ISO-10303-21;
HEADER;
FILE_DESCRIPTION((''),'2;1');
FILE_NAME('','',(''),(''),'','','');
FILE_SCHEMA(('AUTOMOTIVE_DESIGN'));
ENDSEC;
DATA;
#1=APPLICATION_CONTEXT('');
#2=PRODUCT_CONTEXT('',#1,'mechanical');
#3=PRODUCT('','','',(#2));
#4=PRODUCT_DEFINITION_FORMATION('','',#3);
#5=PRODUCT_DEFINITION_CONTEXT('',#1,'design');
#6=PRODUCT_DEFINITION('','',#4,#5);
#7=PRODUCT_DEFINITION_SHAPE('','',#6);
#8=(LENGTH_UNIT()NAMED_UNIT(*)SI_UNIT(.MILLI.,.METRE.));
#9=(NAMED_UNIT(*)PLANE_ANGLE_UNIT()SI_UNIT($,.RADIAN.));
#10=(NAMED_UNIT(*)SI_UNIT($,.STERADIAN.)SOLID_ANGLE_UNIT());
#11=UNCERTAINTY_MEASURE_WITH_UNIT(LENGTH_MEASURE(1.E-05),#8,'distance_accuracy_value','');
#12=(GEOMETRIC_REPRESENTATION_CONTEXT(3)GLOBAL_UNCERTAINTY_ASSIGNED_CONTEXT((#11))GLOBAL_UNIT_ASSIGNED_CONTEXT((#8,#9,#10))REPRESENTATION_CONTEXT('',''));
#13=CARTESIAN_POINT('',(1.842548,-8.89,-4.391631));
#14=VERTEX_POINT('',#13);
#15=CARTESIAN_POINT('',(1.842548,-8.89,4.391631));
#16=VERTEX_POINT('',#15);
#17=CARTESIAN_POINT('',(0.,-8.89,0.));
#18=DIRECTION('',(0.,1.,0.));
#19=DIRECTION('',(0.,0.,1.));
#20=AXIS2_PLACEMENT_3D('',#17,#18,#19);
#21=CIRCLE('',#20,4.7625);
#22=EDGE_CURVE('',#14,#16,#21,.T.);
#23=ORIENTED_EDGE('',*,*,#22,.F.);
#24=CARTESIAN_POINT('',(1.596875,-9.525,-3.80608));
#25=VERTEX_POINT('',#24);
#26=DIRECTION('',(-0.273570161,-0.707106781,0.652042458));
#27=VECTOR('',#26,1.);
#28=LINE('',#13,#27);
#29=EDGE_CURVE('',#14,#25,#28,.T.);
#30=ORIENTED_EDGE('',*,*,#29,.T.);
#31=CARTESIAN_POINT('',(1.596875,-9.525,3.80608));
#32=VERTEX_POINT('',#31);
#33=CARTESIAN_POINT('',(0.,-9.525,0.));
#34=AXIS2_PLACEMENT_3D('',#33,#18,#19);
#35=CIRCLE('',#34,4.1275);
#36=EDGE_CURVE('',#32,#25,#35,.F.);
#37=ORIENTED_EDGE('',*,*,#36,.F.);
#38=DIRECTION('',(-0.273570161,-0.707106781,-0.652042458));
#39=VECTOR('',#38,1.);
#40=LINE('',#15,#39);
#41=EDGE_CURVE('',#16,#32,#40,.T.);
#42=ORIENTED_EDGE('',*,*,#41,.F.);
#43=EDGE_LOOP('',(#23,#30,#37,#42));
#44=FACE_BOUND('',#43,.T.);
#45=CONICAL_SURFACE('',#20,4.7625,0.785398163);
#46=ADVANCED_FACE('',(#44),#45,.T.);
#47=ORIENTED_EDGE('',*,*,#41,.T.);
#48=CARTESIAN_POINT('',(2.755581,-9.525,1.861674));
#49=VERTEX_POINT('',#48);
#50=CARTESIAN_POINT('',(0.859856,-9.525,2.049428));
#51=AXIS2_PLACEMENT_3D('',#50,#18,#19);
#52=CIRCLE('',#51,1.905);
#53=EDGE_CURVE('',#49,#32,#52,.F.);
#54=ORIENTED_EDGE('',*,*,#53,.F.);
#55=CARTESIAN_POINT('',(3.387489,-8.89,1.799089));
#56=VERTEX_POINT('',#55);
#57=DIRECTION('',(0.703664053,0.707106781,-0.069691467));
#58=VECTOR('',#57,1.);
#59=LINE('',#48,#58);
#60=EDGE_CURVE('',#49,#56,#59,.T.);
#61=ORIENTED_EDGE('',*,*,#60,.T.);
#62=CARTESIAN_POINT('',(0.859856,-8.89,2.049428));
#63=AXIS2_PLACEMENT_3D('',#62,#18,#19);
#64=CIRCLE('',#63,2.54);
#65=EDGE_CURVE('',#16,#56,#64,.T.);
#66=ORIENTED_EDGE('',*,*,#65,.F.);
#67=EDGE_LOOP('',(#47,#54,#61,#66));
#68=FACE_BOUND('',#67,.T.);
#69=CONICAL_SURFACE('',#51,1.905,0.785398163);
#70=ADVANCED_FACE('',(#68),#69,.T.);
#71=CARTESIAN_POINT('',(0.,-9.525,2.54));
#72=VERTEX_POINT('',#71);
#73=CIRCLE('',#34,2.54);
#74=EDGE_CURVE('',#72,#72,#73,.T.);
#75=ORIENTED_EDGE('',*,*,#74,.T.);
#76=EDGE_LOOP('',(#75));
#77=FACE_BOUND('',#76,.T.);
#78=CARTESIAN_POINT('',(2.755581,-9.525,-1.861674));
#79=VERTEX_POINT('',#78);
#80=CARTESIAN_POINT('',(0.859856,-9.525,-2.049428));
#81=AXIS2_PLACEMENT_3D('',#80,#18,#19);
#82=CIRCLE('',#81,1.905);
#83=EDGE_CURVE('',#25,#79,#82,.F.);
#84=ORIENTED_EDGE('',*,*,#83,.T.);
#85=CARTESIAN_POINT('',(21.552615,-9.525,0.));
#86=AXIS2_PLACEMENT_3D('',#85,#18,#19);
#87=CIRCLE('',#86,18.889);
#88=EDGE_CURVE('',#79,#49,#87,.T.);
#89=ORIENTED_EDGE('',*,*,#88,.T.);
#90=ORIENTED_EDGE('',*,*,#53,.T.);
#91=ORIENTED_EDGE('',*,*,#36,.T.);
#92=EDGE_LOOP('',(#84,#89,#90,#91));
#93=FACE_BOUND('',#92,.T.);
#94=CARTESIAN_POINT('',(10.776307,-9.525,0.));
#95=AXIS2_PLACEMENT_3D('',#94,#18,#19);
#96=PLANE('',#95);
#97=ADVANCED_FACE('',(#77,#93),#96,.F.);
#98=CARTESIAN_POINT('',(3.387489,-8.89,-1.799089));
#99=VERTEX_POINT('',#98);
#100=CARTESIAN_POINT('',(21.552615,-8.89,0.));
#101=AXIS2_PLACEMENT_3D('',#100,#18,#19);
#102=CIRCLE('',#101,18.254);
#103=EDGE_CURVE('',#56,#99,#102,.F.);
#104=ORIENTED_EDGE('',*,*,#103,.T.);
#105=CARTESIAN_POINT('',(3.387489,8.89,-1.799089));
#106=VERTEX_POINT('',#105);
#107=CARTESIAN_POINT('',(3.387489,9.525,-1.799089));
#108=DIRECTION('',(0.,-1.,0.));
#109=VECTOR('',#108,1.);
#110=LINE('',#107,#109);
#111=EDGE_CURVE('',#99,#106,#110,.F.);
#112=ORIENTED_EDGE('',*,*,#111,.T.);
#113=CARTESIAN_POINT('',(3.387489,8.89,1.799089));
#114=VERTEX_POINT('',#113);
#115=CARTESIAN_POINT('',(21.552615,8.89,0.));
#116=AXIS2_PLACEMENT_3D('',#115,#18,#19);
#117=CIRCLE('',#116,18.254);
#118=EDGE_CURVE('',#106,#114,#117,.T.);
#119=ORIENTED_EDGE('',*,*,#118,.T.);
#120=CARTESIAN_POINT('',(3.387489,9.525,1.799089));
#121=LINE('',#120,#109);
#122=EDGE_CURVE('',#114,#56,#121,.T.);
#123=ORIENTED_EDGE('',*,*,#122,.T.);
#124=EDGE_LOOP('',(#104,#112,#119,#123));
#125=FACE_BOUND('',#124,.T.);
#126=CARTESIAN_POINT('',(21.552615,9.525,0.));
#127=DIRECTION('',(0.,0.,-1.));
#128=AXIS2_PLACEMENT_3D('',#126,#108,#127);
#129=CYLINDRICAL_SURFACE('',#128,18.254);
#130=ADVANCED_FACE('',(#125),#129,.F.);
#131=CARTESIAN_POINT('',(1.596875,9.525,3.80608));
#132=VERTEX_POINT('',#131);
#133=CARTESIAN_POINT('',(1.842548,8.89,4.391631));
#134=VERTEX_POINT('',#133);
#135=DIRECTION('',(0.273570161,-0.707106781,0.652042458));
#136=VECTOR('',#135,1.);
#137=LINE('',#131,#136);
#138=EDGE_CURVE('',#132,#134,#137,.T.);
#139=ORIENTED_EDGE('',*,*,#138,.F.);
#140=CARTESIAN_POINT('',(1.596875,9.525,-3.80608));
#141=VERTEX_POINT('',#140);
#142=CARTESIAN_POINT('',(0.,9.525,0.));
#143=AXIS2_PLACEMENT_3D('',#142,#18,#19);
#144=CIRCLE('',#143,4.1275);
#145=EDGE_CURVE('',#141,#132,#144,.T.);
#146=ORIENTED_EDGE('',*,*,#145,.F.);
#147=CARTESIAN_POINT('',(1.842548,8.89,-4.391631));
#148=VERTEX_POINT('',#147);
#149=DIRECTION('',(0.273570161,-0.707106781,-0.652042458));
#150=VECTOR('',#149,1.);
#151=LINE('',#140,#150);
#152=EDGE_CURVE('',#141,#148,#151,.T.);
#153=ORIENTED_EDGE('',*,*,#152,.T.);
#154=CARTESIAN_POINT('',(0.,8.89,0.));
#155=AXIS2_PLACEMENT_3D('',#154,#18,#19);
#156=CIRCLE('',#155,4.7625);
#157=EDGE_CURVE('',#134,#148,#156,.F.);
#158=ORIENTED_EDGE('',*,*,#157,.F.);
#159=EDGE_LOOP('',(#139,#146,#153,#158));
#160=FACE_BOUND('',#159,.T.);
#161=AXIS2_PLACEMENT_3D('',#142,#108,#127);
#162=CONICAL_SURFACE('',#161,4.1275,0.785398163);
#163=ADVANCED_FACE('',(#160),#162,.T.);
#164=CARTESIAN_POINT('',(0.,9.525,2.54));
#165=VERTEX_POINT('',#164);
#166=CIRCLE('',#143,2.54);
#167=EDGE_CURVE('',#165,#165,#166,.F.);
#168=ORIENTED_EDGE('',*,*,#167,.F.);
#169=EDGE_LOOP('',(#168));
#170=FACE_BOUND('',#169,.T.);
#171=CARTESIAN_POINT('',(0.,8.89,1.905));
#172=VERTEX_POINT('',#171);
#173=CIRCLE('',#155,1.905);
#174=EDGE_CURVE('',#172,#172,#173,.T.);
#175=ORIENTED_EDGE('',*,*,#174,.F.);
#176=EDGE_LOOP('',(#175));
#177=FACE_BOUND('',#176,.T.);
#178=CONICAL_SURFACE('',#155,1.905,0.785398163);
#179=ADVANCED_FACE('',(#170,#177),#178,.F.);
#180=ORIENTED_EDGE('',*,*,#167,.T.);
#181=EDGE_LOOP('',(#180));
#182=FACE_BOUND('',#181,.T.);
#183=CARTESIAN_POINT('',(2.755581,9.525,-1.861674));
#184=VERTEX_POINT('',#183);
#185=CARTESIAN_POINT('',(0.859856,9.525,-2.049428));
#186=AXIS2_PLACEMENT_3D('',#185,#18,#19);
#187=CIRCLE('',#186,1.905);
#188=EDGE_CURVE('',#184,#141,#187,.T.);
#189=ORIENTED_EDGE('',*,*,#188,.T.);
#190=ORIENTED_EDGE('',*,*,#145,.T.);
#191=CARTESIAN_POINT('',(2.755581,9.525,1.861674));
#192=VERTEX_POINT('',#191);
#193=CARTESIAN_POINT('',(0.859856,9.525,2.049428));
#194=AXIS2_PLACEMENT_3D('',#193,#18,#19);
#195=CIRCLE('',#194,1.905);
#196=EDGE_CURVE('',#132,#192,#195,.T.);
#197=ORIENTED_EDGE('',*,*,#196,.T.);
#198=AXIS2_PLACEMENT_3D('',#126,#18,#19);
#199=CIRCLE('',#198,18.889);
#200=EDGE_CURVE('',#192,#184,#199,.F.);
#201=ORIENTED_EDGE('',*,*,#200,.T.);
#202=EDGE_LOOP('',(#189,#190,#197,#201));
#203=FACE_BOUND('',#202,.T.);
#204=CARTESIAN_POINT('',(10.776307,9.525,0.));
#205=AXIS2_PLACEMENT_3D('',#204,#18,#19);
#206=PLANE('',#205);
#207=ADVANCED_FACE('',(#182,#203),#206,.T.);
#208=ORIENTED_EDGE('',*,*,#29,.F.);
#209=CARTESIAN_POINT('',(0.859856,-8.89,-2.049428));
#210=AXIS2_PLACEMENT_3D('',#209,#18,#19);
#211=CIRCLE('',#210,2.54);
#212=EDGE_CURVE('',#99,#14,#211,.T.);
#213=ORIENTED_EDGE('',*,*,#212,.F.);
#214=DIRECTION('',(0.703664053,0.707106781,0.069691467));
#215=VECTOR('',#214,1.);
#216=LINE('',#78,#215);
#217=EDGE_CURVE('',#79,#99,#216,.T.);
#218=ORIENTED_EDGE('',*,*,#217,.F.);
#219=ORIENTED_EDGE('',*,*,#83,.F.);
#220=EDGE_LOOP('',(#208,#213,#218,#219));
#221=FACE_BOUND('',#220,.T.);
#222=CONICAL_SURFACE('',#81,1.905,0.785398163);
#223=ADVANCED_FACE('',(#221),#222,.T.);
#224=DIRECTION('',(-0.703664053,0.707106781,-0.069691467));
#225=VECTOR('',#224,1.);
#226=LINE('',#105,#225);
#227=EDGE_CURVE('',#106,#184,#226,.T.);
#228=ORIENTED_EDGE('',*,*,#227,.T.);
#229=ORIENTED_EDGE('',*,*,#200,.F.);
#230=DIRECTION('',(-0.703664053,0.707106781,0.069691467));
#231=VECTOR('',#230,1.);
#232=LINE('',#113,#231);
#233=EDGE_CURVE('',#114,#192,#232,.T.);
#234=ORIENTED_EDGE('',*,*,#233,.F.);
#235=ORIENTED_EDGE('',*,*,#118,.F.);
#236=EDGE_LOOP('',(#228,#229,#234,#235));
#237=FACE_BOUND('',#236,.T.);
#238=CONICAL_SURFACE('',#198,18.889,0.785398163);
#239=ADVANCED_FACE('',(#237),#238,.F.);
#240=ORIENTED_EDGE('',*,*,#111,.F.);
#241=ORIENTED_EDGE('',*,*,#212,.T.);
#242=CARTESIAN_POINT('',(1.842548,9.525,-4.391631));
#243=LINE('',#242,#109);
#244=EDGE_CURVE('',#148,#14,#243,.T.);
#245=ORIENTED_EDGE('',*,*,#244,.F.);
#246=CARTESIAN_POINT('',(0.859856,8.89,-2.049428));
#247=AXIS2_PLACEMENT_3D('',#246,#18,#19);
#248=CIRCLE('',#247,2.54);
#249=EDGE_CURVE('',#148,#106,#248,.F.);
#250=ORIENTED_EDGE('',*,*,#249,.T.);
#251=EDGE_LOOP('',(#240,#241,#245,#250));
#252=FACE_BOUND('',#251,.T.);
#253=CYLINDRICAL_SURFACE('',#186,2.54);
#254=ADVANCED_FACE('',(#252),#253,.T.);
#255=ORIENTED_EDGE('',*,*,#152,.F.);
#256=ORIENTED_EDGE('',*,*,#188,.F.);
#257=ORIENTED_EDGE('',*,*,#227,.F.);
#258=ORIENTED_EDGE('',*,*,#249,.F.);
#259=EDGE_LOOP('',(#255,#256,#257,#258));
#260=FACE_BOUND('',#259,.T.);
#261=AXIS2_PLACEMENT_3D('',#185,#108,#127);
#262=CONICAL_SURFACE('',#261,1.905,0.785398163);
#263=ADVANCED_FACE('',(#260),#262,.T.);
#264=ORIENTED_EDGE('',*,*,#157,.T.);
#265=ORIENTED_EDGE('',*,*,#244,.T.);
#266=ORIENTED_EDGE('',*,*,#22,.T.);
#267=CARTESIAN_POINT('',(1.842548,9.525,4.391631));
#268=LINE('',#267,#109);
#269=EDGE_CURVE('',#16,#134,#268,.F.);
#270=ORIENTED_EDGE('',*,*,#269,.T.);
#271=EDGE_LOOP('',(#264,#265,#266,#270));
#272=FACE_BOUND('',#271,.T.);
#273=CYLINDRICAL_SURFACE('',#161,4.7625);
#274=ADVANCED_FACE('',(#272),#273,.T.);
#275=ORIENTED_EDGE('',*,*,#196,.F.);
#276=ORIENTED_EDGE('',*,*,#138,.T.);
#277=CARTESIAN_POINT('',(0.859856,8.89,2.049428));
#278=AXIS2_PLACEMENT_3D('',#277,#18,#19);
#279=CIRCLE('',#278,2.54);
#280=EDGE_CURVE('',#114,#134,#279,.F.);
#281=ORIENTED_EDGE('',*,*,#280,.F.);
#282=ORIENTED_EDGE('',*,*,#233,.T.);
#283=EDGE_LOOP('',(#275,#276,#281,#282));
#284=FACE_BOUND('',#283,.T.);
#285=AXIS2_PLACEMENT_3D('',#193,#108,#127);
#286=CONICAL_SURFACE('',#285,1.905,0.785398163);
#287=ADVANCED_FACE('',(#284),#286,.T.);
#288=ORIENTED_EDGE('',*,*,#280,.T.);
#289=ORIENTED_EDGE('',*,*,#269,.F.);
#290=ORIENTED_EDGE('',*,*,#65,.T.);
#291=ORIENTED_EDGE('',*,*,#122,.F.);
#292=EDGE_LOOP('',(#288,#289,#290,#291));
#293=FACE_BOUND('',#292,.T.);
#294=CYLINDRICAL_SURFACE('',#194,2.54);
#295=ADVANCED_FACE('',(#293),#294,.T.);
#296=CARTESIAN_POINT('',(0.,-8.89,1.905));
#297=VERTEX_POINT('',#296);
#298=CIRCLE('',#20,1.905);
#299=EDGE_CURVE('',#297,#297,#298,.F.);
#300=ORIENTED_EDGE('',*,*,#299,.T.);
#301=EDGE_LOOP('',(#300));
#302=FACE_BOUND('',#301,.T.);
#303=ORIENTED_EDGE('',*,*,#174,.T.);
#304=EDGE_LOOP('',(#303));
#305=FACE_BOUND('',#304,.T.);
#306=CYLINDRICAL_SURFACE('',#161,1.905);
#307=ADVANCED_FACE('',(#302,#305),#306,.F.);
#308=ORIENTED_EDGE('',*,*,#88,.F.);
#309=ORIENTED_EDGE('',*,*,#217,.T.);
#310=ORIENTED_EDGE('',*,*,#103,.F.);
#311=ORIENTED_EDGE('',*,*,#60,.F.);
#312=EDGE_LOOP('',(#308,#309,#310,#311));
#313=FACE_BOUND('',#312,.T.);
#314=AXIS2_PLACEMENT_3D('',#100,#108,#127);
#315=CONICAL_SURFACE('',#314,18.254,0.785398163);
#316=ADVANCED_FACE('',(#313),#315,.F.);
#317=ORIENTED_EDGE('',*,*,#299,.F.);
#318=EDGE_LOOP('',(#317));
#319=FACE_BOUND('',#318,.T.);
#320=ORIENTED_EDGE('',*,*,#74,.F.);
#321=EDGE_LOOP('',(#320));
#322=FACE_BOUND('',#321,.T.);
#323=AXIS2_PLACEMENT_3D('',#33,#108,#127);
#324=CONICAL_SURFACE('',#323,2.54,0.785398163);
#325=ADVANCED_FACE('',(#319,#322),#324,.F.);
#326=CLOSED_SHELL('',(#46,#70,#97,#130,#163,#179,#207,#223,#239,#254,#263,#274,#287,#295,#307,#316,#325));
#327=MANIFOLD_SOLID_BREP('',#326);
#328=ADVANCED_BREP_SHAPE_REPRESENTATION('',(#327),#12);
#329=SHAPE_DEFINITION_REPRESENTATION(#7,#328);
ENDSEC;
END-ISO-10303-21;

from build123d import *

# Parameters (mm, degrees)
SKETCH1_R           = 1.905
BOSS_EXTRUDE1_DEPTH = 9.525
FILLET1_R           = 2.54
CHAMFER1_SIZE       = 0.635


with BuildPart() as part:
    # Sketch1 → Boss-Extrude1 (new body, symmetric)
    with BuildSketch(Plane(origin=(0, 0, 0), x_dir=(1, 0, 0), z_dir=(0, 1, 0))):
        with BuildLine():
            ThreePointArc((3.572376077, -3.149529395), (3.298614691, 0), (3.572376077, 3.149529395))
            ThreePointArc((3.572376077, 3.149529395), (-4.7625, 0), (3.572376077, -3.149529395))
        make_face()
        Circle(SKETCH1_R, mode=Mode.SUBTRACT)
    extrude(amount=BOSS_EXTRUDE1_DEPTH, both=True)

    # Fillet1
    fillet1_edges = [part.edges().sort_by_distance(p)[0] for p in [
        (3.572376077, 0, -3.149529395),
        (3.572376077, 0, 3.149529395),
    ]]
    fillet(fillet1_edges, radius=FILLET1_R)

    # Chamfer1
    chamfer1_edges = [part.edges().sort_by_distance(p)[0] for p in [
        (-4.7625, -9.525, 0),
        (-4.7625, 9.525, 0),
        (3.298614691, -9.525, 0),
        (3.041807621, -9.525, 3.349691374),
        (3.041807621, -9.525, -3.349691374),
        (3.298614691, 9.525, 0),
        (3.041807621, 9.525, 3.349691374),
        (3.041807621, 9.525, -3.349691374),
        (-1.905, -9.525, 0),
        (-1.905, 9.525, 0),
    ]]
    chamfer(chamfer1_edges, length=CHAMFER1_SIZE)


solid = part.part
